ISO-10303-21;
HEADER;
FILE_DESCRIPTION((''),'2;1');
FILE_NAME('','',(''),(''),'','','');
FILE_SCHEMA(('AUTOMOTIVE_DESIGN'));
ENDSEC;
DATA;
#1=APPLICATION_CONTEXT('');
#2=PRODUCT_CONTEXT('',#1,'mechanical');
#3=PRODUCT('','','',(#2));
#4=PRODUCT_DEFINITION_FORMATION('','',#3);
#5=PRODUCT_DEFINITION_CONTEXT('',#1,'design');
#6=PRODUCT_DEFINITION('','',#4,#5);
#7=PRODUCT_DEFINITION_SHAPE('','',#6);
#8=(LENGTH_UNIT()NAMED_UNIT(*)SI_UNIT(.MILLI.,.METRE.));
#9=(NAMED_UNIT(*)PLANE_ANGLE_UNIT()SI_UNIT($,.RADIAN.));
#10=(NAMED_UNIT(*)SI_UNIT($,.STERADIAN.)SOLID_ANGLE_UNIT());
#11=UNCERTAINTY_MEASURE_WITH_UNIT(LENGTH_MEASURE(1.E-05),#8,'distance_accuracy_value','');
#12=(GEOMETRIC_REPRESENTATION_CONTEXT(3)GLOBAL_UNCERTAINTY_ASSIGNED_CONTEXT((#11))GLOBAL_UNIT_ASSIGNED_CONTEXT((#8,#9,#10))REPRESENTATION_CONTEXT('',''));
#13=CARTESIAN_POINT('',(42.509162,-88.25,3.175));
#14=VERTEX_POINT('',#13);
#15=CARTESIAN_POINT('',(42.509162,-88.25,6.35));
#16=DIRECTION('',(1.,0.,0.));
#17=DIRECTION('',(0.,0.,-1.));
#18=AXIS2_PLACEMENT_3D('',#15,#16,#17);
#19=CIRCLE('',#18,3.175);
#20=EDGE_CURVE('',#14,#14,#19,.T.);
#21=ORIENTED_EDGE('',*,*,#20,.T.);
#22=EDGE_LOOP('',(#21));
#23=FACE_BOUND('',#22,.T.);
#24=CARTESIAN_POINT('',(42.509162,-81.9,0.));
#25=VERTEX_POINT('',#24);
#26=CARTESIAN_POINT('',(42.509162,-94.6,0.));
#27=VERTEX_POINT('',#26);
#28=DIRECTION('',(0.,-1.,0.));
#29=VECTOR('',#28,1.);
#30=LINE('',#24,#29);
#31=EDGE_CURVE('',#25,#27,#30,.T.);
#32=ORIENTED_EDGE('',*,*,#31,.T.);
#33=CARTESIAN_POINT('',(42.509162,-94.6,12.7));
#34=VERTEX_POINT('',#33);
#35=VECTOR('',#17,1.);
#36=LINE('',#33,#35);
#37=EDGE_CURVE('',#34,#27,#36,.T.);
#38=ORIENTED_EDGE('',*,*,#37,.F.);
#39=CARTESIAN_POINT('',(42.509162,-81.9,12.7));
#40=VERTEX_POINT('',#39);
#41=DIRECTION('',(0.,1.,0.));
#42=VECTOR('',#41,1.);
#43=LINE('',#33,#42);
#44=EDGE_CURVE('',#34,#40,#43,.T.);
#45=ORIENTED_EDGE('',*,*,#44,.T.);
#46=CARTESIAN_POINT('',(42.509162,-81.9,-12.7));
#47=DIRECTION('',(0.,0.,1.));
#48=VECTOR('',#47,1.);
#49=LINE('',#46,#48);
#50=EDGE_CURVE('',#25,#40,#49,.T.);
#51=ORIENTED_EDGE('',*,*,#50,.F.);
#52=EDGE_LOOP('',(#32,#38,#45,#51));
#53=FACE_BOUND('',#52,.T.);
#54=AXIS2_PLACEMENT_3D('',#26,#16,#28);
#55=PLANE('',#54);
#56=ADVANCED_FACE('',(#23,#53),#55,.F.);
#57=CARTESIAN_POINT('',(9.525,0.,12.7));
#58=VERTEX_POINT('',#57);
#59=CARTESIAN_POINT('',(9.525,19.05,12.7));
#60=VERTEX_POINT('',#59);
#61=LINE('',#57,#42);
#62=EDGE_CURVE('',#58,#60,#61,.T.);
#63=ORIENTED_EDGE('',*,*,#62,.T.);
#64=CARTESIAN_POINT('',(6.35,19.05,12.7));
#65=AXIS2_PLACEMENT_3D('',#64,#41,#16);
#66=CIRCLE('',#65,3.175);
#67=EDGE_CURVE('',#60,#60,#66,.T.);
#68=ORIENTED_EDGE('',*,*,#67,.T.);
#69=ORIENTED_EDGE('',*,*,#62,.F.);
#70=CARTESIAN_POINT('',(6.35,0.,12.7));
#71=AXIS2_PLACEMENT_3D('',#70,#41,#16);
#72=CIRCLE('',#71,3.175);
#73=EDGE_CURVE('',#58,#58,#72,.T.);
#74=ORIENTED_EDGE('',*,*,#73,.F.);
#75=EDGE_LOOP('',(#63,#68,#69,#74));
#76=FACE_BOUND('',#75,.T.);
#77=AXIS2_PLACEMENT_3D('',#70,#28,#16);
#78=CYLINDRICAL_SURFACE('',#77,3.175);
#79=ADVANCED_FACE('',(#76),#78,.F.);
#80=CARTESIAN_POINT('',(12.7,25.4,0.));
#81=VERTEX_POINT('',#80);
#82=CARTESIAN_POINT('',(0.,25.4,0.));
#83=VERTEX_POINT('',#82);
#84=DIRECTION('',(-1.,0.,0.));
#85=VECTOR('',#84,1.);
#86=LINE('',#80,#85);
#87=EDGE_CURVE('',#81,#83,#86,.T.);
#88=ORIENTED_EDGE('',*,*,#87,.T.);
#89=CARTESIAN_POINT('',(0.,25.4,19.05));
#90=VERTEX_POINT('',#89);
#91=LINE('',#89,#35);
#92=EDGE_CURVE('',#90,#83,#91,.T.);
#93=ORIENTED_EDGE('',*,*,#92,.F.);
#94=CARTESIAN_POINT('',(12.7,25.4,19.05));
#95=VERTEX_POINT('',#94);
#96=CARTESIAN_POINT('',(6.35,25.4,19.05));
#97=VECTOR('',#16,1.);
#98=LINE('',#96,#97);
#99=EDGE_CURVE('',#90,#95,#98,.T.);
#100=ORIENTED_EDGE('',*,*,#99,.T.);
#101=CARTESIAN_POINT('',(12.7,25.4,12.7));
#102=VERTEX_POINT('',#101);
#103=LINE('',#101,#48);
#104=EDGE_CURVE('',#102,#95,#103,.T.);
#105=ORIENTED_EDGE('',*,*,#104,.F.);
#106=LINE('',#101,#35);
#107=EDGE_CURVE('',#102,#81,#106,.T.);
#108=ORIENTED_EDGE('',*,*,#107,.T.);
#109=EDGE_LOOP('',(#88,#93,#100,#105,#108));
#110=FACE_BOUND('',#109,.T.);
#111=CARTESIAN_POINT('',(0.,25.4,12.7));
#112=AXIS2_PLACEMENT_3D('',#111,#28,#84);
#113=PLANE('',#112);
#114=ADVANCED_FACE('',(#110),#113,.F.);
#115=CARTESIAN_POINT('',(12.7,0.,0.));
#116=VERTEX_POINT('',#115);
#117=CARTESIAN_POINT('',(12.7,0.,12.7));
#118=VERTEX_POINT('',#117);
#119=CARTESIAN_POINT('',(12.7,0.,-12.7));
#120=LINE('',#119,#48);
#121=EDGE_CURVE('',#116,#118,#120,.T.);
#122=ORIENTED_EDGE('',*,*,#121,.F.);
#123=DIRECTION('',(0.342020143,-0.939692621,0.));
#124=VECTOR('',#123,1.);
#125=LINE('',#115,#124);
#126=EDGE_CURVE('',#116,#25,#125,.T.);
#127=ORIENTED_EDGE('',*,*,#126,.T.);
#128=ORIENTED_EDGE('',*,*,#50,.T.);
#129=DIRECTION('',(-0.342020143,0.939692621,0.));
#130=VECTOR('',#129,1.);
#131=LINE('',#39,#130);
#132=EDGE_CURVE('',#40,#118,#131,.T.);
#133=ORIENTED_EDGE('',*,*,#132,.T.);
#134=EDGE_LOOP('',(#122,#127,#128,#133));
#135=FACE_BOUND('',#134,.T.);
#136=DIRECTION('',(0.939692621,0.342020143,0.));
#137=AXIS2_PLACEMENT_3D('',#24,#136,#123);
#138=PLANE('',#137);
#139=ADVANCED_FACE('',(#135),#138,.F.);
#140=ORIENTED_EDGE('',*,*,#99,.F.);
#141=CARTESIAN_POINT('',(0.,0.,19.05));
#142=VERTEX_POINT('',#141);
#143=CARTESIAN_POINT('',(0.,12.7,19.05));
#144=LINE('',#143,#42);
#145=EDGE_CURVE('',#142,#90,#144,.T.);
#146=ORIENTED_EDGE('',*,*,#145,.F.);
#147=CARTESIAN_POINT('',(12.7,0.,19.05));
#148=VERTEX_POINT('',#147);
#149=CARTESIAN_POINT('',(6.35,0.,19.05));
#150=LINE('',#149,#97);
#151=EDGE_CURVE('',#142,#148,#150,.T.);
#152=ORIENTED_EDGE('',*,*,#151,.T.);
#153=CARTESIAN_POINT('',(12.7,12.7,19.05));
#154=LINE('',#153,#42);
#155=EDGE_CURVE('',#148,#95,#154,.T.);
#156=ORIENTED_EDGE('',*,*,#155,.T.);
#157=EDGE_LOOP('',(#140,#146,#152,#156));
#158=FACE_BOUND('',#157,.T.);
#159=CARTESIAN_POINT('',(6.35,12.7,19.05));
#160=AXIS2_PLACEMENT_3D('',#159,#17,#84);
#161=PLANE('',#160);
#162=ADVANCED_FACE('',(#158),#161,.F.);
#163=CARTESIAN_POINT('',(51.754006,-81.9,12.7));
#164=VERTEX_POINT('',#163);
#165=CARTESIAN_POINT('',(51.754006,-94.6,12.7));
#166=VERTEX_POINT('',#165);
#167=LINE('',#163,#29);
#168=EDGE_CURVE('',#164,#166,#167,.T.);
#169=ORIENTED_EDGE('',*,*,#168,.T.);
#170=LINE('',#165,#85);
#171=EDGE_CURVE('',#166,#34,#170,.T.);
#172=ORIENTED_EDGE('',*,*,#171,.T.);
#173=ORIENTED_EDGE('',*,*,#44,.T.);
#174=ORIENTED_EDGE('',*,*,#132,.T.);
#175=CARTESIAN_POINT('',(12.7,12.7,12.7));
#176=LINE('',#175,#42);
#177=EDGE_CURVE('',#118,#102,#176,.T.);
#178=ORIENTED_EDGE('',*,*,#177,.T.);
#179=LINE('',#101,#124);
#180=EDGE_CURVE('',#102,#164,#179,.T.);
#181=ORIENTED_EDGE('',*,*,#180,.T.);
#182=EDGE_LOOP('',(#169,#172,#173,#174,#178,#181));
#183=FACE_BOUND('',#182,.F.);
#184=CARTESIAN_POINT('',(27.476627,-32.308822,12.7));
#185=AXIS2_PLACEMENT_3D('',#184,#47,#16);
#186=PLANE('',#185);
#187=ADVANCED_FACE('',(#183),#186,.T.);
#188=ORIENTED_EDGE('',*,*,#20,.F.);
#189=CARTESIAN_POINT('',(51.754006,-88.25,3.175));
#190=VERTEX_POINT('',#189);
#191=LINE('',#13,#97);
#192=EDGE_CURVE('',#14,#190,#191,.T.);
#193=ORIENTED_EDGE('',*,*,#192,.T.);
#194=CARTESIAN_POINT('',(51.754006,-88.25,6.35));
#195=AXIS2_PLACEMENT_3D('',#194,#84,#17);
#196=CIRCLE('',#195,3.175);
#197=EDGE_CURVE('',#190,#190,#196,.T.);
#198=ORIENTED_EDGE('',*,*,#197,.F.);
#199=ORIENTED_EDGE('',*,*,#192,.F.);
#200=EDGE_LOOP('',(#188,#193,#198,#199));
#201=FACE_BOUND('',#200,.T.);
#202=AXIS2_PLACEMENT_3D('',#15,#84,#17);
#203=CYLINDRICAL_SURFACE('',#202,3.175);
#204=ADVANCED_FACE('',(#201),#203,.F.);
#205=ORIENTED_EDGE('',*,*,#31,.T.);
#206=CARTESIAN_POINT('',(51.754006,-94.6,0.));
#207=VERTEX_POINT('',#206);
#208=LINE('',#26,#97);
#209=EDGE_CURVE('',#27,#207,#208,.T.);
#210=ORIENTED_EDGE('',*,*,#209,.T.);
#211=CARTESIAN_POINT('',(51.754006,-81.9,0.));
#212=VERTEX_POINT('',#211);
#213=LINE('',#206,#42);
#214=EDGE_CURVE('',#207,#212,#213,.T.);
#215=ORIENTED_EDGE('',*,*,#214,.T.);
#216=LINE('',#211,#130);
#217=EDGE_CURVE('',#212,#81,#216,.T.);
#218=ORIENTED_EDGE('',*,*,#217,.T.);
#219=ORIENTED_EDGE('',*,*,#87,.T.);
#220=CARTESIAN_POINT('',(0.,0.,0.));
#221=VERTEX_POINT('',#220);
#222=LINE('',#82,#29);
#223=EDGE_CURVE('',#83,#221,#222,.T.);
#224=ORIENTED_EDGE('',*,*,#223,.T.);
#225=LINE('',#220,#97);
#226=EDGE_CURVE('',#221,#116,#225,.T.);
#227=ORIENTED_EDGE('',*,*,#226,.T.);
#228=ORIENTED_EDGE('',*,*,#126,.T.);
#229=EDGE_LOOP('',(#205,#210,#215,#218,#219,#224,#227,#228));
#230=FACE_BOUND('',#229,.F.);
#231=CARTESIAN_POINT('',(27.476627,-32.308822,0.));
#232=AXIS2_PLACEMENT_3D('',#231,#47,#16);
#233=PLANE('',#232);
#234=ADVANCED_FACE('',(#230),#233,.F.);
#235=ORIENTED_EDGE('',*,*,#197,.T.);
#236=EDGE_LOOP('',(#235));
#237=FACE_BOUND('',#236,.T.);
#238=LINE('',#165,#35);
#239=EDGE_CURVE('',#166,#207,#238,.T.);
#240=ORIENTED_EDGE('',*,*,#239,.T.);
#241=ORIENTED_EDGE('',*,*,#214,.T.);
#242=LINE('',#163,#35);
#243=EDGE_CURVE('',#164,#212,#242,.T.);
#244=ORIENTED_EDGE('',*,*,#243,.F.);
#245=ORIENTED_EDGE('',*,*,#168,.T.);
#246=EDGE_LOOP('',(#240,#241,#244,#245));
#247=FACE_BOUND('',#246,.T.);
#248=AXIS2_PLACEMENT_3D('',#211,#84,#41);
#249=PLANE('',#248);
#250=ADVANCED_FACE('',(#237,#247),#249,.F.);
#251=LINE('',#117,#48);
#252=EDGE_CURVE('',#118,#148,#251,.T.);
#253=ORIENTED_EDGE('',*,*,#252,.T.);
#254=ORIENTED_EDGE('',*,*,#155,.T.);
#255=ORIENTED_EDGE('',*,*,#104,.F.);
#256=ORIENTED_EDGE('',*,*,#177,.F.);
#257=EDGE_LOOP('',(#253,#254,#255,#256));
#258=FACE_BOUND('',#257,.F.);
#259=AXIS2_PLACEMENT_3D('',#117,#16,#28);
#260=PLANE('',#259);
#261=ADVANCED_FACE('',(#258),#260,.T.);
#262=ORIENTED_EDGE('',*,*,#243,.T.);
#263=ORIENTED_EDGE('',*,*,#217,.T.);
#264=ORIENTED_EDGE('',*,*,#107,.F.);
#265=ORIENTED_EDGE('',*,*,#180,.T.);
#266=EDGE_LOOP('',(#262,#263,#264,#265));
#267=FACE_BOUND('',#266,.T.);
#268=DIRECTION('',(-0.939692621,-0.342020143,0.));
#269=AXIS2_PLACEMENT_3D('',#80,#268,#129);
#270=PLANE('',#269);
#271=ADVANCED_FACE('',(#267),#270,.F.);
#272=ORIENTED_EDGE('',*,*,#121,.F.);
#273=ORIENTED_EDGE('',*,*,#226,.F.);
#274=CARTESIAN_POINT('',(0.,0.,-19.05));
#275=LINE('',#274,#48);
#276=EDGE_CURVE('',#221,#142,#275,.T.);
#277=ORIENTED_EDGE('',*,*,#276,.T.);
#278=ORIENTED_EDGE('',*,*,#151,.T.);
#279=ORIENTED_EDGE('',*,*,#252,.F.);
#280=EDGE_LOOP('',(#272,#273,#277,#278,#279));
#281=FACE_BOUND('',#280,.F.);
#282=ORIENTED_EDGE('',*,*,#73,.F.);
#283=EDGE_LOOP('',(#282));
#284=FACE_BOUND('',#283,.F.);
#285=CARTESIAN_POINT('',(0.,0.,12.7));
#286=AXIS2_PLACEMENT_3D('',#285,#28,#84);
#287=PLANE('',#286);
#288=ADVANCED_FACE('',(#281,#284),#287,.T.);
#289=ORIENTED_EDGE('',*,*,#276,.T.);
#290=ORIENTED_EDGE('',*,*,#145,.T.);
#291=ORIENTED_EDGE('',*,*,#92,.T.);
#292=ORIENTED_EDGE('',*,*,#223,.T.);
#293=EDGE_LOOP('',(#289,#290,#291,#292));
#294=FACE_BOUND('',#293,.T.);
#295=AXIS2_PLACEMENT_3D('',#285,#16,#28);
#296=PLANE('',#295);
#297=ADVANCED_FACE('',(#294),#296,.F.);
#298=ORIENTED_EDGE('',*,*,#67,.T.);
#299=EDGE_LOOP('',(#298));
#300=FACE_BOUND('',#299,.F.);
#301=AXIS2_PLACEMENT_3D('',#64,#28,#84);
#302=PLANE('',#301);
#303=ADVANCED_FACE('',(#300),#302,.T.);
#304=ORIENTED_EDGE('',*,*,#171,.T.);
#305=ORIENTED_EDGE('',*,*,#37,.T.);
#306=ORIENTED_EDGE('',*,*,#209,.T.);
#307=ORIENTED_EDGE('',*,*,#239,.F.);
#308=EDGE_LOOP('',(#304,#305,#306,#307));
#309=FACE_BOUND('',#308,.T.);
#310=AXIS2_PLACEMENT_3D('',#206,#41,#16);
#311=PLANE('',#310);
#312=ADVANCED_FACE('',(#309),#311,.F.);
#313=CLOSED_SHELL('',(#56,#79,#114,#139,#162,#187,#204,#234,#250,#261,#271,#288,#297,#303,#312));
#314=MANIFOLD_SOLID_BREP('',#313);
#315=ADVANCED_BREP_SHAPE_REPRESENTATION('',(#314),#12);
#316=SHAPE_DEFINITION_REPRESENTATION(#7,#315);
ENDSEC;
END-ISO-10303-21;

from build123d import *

# Parameters (mm, degrees)
BOSS_EXTRUDE1_DEPTH = 12.7
SKETCH2_R           = 3.175
CUT_EXTRUDE1_DEPTH  = 10.24484395
SKETCH5_W           = 12.7
SKETCH5_H           = 25.4
BOSS_EXTRUDE2_DEPTH = 6.35
SKETCH4_R           = 3.175
CUT_EXTRUDE2_DEPTH  = 19.05
CUT_EXTRUDE3_DEPTH  = 20.05


with BuildPart() as part:
    # Sketch1 → Boss-Extrude1 (new body)
    with BuildSketch(Plane.XY):
        Polygon((0, 0), (0, 25.4), (12.7, 25.4), (51.754006137, -81.9), (51.754006137, -94.6), (42.509162186, -94.6), (42.509162186, -81.9), (12.7, 0), align=None)
    boss_extrude1 = extrude(amount=-BOSS_EXTRUDE1_DEPTH)

    # Sketch2 → Cut-Extrude1 (cut, through all)
    with BuildSketch(Plane.ZY.offset(-42.509162186)):
        with Locations((-6.35, -88.25)):
            Circle(SKETCH2_R)
    cut_extrude1 = extrude(amount=-CUT_EXTRUDE1_DEPTH, mode=Mode.SUBTRACT)

    # Sketch5 → Boss-Extrude2 (add)
    with BuildSketch(Plane.XY.offset(-12.7)):
        with Locations((6.35, 12.7)):
            Rectangle(SKETCH5_W, SKETCH5_H)
    boss_extrude2 = extrude(amount=-BOSS_EXTRUDE2_DEPTH)

    # Sketch4 → Cut-Extrude2 (cut)
    with BuildSketch(Plane.XZ):
        with Locations((6.35, -12.7)):
            Circle(SKETCH4_R)
    cut_extrude2 = extrude(amount=-CUT_EXTRUDE2_DEPTH, mode=Mode.SUBTRACT)

    # Mirror2: Boss-Extrude1, Cut-Extrude1, Boss-Extrude2, Cut-Extrude2 across plane
    add(boss_extrude1.mirror(Plane(origin=(42.509162186, 0, 0), x_dir=(1, 0, 0), z_dir=(0, 0, -1))))
    add(cut_extrude1.mirror(Plane(origin=(42.509162186, 0, 0), x_dir=(1, 0, 0), z_dir=(0, 0, -1))), mode=Mode.SUBTRACT)
    add(boss_extrude2.mirror(Plane(origin=(42.509162186, 0, 0), x_dir=(1, 0, 0), z_dir=(0, 0, -1))))
    add(cut_extrude2.mirror(Plane(origin=(42.509162186, 0, 0), x_dir=(1, 0, 0), z_dir=(0, 0, -1))), mode=Mode.SUBTRACT)

    # Sketch6 → Cut-Extrude3 (cut, through all)
    with BuildSketch(Plane.XY):
        Polygon((12.7, 25.4), (0, 25.4), (0, 0), (12.7, 0), (42.509162186, -81.9), (42.509162186, -94.6), (51.754006137, -94.6), (51.754006137, -81.9), align=None)
    extrude(amount=-CUT_EXTRUDE3_DEPTH, mode=Mode.SUBTRACT)


solid = part.part
